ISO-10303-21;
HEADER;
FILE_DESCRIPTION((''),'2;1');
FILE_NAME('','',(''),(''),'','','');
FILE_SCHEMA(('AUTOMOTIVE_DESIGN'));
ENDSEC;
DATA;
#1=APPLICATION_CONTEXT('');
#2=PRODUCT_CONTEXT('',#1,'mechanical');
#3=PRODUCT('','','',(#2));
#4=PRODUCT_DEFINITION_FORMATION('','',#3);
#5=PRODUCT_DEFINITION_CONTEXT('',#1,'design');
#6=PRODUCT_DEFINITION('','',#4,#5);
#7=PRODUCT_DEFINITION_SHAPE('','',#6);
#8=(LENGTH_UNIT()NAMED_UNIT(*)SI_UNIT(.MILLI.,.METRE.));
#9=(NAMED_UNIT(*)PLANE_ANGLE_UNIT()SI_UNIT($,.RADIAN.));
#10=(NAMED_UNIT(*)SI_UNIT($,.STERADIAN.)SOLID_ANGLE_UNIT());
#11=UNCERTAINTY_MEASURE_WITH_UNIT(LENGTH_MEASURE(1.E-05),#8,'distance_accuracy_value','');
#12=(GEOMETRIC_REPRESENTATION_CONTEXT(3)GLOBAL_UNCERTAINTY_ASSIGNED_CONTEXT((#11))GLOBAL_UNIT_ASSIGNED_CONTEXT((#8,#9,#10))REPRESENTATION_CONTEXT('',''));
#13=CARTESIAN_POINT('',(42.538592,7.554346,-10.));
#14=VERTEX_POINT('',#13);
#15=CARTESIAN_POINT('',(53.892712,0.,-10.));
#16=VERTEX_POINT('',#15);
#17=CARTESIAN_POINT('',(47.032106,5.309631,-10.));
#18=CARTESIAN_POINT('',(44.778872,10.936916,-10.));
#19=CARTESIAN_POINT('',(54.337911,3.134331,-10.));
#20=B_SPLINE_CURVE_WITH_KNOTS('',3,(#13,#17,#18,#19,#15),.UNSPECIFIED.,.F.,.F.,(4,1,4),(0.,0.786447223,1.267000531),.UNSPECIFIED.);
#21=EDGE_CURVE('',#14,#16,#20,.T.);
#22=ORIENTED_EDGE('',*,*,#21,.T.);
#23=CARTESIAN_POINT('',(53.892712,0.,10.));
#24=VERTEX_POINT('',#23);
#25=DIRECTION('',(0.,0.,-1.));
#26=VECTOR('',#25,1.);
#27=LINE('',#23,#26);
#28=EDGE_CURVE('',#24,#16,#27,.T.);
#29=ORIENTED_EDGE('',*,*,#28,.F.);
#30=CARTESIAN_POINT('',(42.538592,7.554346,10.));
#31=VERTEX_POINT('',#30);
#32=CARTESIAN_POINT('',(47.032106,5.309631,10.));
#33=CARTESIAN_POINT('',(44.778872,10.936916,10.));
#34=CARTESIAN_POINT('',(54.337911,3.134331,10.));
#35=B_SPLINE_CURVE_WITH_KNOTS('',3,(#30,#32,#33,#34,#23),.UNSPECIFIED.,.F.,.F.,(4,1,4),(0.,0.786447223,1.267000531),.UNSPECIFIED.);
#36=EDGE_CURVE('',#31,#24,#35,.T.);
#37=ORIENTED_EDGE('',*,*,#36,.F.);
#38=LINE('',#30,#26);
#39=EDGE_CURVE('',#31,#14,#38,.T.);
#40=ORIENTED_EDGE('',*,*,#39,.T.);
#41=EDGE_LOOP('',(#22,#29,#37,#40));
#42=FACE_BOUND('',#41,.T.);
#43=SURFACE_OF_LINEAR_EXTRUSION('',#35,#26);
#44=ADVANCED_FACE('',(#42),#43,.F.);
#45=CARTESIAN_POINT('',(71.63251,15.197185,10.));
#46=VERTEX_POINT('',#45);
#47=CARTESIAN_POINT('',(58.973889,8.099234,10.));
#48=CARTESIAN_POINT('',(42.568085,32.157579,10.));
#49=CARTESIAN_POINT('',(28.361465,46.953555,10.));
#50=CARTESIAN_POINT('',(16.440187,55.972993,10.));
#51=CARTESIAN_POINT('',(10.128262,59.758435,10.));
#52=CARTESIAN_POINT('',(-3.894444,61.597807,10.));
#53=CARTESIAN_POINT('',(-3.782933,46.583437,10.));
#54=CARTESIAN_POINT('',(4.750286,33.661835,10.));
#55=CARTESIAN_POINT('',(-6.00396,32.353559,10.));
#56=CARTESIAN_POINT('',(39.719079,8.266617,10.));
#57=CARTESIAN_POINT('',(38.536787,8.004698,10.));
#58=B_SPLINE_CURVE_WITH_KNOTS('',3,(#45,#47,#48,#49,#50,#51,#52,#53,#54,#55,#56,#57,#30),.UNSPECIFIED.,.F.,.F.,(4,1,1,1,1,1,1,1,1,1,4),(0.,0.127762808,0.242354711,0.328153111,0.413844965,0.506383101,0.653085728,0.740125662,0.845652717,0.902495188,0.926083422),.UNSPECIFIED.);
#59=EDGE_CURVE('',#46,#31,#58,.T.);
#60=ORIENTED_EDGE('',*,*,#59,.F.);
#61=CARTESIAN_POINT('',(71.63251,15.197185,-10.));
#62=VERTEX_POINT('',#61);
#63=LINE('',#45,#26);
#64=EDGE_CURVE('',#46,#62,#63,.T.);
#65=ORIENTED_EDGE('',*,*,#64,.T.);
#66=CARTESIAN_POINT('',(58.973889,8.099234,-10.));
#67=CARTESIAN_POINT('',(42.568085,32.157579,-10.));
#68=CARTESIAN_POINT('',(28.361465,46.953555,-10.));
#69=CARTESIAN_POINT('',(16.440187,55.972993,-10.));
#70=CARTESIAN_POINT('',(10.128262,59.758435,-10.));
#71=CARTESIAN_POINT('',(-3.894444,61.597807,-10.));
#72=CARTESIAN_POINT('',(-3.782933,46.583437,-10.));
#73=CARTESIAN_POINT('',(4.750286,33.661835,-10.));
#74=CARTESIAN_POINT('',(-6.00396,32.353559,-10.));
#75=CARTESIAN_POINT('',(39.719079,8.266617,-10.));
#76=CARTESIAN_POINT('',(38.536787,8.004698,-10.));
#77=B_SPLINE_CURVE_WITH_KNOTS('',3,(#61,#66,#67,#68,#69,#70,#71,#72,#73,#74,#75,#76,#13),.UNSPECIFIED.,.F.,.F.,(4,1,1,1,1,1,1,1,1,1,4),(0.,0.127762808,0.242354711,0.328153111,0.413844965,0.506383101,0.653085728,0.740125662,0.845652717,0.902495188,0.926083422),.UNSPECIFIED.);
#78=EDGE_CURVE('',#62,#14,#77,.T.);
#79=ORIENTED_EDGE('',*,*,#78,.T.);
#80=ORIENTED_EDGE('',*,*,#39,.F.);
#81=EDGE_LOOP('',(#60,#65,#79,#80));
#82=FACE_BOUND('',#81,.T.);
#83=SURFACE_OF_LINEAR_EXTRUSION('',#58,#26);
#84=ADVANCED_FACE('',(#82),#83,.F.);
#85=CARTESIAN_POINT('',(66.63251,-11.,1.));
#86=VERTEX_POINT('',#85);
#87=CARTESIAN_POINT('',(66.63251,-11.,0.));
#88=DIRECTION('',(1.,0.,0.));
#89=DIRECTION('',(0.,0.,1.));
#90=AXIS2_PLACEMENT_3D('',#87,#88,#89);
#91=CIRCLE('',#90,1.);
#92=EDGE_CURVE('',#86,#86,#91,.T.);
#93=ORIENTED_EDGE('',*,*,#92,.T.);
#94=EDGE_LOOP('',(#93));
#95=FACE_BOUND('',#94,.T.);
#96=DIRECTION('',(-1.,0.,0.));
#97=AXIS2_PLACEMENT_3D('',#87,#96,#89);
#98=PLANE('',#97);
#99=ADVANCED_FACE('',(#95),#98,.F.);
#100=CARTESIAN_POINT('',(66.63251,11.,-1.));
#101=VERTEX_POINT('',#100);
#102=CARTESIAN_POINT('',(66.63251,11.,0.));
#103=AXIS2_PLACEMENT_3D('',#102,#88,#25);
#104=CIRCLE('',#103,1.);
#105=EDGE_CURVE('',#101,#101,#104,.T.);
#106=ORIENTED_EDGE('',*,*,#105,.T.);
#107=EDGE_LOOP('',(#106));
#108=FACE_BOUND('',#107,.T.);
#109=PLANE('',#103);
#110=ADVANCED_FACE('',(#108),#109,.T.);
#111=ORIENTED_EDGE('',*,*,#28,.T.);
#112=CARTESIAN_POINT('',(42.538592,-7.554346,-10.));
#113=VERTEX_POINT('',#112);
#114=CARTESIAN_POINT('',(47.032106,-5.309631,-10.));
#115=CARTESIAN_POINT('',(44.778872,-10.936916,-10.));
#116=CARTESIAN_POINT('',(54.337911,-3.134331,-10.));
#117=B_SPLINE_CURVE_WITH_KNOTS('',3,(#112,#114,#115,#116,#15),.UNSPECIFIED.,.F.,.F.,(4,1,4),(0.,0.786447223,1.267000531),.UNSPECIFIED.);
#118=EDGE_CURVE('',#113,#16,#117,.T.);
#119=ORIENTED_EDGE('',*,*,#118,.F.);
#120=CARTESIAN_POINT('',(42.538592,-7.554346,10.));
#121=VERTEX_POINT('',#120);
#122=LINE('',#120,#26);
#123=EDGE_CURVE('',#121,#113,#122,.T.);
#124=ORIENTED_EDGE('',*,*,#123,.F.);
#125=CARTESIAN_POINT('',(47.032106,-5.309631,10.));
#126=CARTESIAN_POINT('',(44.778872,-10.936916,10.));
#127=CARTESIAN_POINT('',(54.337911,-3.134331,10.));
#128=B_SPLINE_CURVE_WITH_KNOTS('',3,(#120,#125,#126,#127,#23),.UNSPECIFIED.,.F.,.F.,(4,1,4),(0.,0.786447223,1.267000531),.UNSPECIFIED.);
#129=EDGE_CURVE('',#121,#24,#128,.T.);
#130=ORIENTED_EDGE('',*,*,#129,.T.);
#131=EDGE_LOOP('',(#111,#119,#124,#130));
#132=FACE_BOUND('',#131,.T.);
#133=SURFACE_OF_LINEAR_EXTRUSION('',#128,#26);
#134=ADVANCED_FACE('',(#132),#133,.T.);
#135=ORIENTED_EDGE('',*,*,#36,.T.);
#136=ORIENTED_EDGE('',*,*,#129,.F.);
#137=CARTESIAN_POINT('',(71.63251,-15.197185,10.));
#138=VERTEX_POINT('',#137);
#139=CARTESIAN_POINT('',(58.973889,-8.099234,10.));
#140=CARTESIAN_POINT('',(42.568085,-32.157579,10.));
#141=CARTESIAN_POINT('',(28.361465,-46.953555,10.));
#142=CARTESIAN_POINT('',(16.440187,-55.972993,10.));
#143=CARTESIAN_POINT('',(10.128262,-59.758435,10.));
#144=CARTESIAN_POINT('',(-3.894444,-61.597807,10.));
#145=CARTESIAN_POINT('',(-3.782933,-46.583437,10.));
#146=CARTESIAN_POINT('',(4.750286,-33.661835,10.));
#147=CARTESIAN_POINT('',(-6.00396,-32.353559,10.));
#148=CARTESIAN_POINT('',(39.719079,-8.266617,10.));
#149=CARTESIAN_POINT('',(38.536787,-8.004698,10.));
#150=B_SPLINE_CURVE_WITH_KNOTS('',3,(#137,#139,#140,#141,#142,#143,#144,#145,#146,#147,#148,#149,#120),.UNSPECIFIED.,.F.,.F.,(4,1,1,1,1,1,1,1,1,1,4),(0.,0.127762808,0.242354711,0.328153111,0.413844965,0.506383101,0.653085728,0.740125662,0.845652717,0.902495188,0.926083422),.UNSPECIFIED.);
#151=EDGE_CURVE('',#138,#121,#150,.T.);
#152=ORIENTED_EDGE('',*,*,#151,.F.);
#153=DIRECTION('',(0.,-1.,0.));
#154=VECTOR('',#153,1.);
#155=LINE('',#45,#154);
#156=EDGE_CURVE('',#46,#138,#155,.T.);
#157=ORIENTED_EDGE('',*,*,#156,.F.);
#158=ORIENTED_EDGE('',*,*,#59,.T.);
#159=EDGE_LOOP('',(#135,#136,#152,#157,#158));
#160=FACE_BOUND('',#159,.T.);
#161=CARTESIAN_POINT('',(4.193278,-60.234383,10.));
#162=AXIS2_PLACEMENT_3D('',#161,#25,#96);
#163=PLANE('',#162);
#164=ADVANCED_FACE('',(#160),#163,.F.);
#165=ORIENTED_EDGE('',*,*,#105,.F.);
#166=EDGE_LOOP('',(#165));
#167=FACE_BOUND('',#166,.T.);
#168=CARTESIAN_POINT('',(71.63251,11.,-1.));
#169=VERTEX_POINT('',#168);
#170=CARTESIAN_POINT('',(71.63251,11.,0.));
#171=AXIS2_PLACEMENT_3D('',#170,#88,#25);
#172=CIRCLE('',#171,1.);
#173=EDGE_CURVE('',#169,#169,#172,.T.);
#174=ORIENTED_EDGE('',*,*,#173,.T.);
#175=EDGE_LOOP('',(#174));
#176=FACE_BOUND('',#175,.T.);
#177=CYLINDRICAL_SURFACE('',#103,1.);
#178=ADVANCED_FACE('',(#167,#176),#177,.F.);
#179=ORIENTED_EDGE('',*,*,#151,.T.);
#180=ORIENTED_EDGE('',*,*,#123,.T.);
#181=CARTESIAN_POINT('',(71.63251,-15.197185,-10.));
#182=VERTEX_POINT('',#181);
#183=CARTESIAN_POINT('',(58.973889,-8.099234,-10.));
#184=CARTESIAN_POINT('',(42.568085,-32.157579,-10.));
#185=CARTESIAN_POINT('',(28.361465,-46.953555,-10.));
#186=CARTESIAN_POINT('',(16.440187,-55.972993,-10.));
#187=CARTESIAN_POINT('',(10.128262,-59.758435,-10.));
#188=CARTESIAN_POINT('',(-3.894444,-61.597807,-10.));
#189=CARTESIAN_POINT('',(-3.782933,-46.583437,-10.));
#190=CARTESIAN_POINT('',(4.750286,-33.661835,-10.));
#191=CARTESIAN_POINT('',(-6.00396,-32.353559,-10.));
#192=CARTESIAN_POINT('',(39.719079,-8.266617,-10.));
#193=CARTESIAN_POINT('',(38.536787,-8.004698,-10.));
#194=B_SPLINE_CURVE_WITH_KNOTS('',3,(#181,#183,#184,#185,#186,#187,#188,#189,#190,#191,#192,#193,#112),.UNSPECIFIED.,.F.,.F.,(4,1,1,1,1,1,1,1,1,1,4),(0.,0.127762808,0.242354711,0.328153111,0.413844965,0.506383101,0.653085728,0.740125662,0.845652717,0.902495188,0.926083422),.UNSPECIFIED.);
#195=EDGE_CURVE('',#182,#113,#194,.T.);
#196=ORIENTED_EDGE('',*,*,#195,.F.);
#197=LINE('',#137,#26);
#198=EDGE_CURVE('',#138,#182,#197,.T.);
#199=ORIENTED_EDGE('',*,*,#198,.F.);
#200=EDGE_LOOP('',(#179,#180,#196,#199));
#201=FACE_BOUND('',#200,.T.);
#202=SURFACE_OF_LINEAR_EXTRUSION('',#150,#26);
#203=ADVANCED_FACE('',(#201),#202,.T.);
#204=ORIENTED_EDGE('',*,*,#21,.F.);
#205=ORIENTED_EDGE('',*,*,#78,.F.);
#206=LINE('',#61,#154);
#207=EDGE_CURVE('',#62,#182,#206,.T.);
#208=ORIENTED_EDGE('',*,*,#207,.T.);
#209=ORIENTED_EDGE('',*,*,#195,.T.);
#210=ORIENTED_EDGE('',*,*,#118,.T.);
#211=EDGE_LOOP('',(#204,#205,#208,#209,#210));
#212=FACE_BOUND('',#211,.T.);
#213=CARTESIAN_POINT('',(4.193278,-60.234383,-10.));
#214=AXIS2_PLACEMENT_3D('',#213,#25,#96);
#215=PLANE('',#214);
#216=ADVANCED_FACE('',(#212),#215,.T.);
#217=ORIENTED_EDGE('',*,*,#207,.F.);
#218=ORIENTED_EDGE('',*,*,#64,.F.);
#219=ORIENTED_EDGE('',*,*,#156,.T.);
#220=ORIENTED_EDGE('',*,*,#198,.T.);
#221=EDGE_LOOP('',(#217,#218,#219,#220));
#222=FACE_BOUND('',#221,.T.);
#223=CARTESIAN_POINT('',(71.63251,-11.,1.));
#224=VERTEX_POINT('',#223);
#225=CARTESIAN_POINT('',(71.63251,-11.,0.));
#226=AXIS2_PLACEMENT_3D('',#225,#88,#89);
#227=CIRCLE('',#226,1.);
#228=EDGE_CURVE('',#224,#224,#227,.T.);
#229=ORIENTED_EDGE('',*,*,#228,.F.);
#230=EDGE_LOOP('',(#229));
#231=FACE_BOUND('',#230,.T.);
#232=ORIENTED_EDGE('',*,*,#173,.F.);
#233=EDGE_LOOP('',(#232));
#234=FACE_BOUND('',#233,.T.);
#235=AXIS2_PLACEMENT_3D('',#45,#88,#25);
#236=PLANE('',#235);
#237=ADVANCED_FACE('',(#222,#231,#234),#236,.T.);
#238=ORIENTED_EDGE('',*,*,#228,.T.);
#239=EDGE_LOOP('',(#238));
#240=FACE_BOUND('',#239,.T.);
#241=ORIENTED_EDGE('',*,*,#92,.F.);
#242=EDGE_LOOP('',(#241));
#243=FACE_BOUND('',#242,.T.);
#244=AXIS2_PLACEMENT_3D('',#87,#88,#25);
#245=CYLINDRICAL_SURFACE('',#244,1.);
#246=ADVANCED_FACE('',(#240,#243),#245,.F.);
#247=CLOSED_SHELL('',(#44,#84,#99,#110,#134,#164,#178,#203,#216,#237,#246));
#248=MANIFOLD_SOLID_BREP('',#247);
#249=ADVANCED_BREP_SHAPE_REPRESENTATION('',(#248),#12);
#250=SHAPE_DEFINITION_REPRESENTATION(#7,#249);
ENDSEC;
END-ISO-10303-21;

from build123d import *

# Parameters (mm, degrees)
BOSS_EXTRUDE1_DEPTH = 10
SKETCH2_R           = 1
CUT_EXTRUDE1_DEPTH  = 5


with BuildPart() as part:
    # Sketch1 → Boss-Extrude1 (new, symmetric)
    with BuildSketch(Plane.XY):
        with BuildLine():
            Line((71.632510406, 15.197185343), (71.632510406, -15.197185343))
            add(Edge.make_bspline(
                [(71.632510406, -15.197185343), (58.973888962, -8.099234258), (42.568084718, -32.157579469), (28.361465025, -46.95355491), (16.440186779, -55.972993318), (10.128261681, -59.758434669), (-3.894443649, -61.597806854), (-3.782933309, -46.583436705), (4.750286433, -33.661835178), (-6.003959955, -32.35355901), (39.719078976, -8.266617272), (38.53678703, -8.004697705), (42.538591951, -7.554346475)],
                knots=[0, 0, 0, 0, 0.127762808, 0.242354711, 0.328153111, 0.413844965, 0.506383101, 0.653085728, 0.740125662, 0.845652717, 0.902495188, 0.926083422, 0.926083422, 0.926083422, 0.926083422], degree=3))
            add(Edge.make_bspline(
                [(42.538591951, -7.554346475), (47.032105816, -5.309631018), (44.778871614, -10.936915734), (54.33791061, -3.134330539), (53.89271199, 0)],
                knots=[0, 0, 0, 0, 0.786447223, 1.267000531, 1.267000531, 1.267000531, 1.267000531], degree=3))
            add(Edge.make_bspline(
                [(42.538591951, 7.554346475), (47.032105816, 5.309631018), (44.778871614, 10.936915734), (54.33791061, 3.134330539), (53.89271199, 0)],
                knots=[0, 0, 0, 0, 0.786447223, 1.267000531, 1.267000531, 1.267000531, 1.267000531], degree=3))
            add(Edge.make_bspline(
                [(71.632510406, 15.197185343), (58.973888962, 8.099234258), (42.568084718, 32.157579469), (28.361465025, 46.95355491), (16.440186779, 55.972993318), (10.128261681, 59.758434669), (-3.894443649, 61.597806854), (-3.782933309, 46.583436705), (4.750286433, 33.661835178), (-6.003959955, 32.35355901), (39.719078976, 8.266617272), (38.53678703, 8.004697705), (42.538591951, 7.554346475)],
                knots=[0, 0, 0, 0, 0.127762808, 0.242354711, 0.328153111, 0.413844965, 0.506383101, 0.653085728, 0.740125662, 0.845652717, 0.902495188, 0.926083422, 0.926083422, 0.926083422, 0.926083422], degree=3))
        make_face()
    extrude(amount=BOSS_EXTRUDE1_DEPTH, both=True)

    # Sketch2 → Cut-Extrude1 (cut)
    with BuildSketch(Plane(origin=(71.632510406, 0, 0), x_dir=(0, 0, -1), z_dir=(1, 0, 0))):
        with Locations((0, 11)):
            Circle(SKETCH2_R)
        with Locations(Location((0, -11, 0), (0, 0, 180))):
            Circle(SKETCH2_R)
    extrude(amount=-CUT_EXTRUDE1_DEPTH, mode=Mode.SUBTRACT)


solid = part.part
